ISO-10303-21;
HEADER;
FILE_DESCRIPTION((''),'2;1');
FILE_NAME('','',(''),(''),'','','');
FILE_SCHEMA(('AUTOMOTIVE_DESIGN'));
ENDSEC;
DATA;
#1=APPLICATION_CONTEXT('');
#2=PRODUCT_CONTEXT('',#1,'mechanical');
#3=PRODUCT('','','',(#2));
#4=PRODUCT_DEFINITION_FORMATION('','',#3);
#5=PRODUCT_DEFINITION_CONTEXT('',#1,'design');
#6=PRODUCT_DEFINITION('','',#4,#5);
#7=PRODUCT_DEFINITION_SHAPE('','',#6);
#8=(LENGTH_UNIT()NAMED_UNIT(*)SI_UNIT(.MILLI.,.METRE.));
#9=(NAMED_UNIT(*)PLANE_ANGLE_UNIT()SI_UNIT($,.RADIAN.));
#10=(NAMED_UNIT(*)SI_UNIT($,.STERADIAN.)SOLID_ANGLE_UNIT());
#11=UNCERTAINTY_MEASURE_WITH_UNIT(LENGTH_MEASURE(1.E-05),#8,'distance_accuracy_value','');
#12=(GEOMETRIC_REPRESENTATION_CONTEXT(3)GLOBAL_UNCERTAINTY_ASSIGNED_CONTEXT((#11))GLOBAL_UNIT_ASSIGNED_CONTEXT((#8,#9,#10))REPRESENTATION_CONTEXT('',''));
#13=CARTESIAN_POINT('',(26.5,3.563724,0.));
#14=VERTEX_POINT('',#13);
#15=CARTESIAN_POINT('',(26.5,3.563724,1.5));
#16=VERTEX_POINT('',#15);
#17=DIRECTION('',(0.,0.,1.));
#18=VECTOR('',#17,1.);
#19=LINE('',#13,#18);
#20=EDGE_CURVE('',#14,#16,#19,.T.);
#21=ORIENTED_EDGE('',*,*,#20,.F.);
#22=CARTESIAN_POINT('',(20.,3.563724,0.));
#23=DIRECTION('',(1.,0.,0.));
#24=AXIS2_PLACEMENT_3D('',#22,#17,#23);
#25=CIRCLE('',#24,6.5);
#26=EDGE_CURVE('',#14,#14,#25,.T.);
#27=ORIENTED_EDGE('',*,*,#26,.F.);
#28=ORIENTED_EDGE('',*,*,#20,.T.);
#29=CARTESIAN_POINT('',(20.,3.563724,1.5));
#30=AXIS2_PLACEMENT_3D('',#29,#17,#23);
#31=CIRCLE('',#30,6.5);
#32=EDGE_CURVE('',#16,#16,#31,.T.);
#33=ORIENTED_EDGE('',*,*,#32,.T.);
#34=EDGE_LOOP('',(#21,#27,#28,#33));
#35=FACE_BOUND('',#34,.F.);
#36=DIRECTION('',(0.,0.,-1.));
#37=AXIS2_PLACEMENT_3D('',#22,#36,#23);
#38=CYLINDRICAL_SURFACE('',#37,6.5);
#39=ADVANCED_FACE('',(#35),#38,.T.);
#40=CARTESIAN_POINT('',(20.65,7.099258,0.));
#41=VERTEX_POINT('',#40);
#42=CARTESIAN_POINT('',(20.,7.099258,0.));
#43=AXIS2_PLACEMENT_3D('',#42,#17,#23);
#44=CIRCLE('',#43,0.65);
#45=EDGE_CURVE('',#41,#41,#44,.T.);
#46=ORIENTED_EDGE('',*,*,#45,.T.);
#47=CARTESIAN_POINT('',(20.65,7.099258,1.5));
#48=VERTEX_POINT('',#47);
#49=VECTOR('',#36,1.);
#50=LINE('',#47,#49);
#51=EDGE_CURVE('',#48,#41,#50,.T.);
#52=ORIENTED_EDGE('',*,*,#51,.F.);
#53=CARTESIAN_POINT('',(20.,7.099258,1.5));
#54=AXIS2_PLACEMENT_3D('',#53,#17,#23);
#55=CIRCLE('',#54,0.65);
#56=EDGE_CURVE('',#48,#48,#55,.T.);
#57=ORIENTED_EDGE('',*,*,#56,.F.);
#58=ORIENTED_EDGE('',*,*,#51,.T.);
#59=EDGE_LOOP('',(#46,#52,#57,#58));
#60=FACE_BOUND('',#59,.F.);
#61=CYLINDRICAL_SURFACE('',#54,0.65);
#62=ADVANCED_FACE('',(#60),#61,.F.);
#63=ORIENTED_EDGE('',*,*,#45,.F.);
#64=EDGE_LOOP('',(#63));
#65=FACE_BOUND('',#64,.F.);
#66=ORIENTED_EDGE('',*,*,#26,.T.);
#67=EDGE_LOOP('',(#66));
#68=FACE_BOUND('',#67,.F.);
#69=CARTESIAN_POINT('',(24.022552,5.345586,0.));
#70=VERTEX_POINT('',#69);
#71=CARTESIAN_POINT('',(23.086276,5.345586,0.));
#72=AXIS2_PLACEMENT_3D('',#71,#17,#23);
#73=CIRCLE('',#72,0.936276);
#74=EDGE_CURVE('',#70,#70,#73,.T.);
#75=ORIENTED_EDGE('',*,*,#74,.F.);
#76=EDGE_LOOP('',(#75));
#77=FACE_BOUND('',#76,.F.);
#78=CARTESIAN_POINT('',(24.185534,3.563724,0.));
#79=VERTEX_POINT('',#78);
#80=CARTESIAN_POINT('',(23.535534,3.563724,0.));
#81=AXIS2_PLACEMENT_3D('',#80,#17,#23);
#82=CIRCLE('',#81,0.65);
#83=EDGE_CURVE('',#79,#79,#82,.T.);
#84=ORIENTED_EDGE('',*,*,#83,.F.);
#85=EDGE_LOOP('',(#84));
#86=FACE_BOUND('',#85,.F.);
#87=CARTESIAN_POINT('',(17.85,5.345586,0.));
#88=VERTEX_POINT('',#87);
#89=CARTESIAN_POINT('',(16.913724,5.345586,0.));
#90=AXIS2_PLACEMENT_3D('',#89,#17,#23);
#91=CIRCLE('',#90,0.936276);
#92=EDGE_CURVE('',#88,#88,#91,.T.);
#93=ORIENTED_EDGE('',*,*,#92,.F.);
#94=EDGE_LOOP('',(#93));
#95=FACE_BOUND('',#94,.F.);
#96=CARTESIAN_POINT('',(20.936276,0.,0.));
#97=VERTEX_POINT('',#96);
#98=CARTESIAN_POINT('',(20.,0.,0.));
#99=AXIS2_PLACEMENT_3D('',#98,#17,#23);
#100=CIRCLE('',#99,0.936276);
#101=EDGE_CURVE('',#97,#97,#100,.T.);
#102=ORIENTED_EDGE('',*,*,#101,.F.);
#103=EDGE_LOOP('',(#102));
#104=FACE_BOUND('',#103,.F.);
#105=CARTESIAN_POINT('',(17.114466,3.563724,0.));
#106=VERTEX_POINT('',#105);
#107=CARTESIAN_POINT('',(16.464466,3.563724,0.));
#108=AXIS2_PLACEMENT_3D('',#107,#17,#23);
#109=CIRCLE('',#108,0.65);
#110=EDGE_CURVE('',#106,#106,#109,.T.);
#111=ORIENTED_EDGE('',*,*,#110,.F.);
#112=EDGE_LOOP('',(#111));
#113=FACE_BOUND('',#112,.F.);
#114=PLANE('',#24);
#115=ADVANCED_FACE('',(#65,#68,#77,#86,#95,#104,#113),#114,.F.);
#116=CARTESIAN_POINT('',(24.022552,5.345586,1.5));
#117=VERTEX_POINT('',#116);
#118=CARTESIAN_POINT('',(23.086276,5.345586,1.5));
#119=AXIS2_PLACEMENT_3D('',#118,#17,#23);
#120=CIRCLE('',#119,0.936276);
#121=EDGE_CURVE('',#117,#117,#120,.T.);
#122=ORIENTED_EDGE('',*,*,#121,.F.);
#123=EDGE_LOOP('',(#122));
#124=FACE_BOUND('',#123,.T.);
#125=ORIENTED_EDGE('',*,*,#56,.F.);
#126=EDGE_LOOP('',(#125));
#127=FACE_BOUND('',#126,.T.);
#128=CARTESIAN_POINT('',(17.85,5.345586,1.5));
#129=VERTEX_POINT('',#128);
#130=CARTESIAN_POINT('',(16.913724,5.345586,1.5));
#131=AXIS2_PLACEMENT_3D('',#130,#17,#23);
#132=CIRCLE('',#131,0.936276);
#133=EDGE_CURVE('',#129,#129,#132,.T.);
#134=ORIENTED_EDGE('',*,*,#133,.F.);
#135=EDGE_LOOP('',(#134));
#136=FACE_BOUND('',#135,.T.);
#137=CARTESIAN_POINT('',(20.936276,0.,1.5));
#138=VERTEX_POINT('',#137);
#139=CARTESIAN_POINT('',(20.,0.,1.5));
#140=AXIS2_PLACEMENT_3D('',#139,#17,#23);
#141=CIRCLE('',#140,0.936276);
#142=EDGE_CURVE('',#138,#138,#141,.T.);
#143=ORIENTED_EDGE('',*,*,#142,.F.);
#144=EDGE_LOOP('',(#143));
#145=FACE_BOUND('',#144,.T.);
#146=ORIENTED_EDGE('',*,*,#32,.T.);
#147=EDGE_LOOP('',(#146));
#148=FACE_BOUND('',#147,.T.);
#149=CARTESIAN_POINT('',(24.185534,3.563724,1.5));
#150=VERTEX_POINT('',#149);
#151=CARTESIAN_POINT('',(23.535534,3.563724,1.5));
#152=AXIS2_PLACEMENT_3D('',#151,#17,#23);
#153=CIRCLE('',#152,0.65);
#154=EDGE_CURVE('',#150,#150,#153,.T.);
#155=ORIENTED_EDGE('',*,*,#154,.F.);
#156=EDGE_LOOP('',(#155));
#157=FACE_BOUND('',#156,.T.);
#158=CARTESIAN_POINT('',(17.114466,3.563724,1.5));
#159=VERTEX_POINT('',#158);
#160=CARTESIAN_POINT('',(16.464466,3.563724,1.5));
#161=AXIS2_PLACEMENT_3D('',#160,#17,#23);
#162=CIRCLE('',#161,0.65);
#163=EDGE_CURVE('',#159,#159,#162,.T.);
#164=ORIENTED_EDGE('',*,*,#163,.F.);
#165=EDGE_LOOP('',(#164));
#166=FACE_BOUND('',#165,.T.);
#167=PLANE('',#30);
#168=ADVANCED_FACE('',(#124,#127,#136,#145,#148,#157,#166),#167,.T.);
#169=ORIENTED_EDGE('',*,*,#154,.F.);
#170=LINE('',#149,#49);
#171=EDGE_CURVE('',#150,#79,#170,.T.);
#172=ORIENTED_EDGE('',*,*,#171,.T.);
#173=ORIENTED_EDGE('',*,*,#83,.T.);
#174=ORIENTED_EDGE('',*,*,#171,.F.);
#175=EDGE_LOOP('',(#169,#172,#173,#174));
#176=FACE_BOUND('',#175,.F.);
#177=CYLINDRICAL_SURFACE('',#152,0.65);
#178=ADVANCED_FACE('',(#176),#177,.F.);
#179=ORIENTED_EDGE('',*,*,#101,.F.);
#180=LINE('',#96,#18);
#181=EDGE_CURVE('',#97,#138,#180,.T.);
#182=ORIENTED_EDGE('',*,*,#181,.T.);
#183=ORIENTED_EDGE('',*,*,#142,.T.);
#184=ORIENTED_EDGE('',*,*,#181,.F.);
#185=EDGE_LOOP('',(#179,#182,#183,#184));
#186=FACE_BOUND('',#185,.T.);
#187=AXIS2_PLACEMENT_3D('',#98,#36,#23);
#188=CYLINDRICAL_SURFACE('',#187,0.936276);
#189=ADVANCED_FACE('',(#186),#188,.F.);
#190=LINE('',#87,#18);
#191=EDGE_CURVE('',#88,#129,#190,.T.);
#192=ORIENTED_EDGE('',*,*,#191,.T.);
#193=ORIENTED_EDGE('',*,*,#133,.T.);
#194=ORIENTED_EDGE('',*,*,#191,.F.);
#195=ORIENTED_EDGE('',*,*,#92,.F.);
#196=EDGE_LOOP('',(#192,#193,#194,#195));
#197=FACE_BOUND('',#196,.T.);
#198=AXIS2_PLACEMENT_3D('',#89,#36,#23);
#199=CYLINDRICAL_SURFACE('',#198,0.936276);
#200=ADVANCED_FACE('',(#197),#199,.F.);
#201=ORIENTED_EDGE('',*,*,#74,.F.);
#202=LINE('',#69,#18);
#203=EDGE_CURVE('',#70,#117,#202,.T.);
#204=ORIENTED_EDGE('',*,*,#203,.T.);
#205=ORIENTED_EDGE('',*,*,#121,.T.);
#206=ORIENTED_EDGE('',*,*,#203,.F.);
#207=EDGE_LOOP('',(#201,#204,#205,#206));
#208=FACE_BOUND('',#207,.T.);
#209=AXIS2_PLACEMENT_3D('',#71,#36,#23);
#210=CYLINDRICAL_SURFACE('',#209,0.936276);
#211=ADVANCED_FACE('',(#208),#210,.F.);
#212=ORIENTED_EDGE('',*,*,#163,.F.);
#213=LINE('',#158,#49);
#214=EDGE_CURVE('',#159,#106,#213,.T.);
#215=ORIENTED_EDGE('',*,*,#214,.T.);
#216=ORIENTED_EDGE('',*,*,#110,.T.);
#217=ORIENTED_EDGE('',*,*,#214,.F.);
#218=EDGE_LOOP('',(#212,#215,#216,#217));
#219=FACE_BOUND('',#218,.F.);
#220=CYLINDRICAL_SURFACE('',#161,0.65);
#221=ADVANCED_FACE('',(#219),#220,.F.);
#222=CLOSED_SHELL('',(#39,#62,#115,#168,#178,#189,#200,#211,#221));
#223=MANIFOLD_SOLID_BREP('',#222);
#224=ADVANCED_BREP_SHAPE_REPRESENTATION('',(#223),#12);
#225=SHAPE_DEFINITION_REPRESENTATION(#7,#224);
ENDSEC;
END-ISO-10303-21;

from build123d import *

# Parameters (mm, degrees)
SKETCH_R     = 6.5
SKETCH_R_2   = 0.936276
PAD_DEPTH    = 1.5
SKETCH001_R  = 0.65
POCKET_DEPTH = 5


with BuildPart() as part:
    # Sketch → Pad (new body)
    with BuildSketch(Plane.XY):
        with Locations((0, 3.563724)):
            Circle(SKETCH_R)
        with Locations((-3.086276, 5.345586)):
            Circle(SKETCH_R_2, mode=Mode.SUBTRACT)
        with Locations((3.086276, 5.345586)):
            Circle(SKETCH_R_2, mode=Mode.SUBTRACT)
        Circle(SKETCH_R_2, mode=Mode.SUBTRACT)
    extrude(amount=PAD_DEPTH)

    # Sketch001 (on Face6 of Pad) → Pocket (cut)
    with BuildSketch(Plane.XY.offset(1.5)):
        with Locations((-3.535534, 3.563724)):
            Circle(SKETCH001_R)
        with Locations((0, 7.099258)):
            Circle(SKETCH001_R)
        with Locations((3.535534, 3.563724)):
            Circle(SKETCH001_R)
        Circle(SKETCH001_R)
    extrude(amount=-POCKET_DEPTH, mode=Mode.SUBTRACT)


with BuildPart() as part_1:
    # Body placement: moved
    add(part.part.moved(Location((20, 0, 0))))


solid = part_1.part
